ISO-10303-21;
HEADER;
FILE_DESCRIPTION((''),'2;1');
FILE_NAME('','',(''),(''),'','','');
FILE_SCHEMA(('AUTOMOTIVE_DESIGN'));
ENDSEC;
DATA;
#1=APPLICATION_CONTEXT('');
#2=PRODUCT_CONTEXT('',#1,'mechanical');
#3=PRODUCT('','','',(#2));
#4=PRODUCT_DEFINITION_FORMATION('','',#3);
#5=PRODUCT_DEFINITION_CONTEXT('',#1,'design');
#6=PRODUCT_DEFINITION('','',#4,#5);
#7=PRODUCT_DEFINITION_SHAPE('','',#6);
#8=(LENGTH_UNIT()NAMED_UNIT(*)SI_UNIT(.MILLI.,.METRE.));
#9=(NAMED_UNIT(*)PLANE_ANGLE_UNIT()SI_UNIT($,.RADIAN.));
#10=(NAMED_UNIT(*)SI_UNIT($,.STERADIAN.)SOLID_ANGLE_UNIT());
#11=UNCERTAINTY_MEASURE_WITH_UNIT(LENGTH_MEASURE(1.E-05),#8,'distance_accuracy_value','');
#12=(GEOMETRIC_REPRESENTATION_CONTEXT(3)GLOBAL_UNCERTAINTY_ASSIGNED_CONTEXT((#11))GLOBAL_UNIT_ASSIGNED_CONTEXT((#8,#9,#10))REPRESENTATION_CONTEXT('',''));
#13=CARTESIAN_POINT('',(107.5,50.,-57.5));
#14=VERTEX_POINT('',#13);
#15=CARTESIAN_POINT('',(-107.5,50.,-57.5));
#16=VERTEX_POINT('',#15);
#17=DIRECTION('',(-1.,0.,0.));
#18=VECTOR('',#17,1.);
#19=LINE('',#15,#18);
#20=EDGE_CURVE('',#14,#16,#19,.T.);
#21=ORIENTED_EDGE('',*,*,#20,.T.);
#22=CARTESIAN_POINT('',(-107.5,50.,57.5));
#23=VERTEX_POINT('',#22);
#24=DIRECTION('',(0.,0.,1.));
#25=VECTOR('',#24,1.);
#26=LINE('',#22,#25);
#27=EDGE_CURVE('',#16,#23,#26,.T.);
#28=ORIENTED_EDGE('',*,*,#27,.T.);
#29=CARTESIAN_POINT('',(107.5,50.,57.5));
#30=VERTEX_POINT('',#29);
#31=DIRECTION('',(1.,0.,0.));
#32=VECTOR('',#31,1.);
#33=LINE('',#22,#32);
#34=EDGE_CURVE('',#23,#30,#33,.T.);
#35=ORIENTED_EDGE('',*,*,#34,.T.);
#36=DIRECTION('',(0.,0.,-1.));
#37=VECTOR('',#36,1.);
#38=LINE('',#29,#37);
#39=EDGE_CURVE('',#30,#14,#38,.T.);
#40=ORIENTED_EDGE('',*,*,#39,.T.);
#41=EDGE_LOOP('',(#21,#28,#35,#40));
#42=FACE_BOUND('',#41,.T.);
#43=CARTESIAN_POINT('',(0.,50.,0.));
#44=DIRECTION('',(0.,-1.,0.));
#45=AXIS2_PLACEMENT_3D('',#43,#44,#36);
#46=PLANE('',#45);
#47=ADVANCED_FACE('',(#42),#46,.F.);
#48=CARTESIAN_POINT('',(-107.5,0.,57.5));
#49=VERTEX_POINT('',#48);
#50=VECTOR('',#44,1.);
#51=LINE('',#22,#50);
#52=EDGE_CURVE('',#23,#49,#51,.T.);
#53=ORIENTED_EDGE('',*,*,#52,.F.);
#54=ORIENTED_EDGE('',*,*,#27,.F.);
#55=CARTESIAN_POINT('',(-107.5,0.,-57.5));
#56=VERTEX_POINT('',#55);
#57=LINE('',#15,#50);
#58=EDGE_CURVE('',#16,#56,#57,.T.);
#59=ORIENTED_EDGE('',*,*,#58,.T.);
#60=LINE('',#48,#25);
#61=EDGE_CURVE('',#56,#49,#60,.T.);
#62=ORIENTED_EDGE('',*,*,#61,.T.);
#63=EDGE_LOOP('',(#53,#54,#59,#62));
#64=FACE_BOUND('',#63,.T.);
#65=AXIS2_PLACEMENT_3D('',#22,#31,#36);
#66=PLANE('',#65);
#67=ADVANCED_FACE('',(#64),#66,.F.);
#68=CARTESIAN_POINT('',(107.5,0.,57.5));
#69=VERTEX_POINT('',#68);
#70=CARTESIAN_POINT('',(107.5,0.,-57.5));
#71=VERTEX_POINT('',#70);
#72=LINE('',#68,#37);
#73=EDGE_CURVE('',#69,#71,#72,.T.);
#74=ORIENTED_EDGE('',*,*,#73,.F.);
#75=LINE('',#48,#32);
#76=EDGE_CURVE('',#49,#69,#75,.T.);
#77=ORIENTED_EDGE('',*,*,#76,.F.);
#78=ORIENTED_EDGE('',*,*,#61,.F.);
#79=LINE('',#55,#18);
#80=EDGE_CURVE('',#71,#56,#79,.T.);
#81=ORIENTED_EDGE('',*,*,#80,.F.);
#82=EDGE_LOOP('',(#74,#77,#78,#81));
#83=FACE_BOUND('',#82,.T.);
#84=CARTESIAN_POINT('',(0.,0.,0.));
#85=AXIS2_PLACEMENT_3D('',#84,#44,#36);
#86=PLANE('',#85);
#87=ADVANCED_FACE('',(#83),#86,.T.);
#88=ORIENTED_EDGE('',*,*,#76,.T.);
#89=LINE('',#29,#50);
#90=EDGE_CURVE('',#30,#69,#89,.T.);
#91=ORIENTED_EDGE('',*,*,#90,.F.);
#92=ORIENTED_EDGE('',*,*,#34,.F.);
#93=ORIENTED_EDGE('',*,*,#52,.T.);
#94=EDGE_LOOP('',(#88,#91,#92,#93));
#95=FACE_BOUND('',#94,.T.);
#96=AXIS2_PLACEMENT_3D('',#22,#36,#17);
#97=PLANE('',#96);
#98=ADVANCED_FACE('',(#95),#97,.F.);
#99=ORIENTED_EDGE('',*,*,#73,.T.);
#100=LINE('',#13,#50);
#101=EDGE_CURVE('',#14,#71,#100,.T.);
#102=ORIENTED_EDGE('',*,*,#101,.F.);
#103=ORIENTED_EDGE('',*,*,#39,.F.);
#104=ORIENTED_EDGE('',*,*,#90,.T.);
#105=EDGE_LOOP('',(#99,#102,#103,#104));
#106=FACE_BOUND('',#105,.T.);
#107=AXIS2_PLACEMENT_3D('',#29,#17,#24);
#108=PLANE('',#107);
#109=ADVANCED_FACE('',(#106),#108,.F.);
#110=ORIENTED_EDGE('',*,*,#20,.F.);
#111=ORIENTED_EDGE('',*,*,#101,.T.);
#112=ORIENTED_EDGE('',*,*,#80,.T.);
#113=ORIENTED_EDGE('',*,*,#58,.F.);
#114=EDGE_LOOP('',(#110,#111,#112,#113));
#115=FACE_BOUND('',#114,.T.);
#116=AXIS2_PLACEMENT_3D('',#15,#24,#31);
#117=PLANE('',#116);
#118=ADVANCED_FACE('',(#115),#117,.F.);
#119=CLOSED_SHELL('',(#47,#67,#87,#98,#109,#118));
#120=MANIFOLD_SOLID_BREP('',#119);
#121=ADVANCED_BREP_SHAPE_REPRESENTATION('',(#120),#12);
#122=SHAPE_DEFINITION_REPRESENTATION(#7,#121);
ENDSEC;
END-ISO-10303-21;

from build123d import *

# Parameters (mm, degrees)
SKETCH1_W           = 215
SKETCH1_H           = 115
BOSS_EXTRUDE1_DEPTH = 50


with BuildPart() as part:
    # Sketch1 → Boss-Extrude1 (new body)
    with BuildSketch(Plane(origin=(0, 0, 0), x_dir=(1, 0, 0), z_dir=(0, 1, 0))):
        Rectangle(SKETCH1_W, SKETCH1_H)
    extrude(amount=BOSS_EXTRUDE1_DEPTH)


solid = part.part
